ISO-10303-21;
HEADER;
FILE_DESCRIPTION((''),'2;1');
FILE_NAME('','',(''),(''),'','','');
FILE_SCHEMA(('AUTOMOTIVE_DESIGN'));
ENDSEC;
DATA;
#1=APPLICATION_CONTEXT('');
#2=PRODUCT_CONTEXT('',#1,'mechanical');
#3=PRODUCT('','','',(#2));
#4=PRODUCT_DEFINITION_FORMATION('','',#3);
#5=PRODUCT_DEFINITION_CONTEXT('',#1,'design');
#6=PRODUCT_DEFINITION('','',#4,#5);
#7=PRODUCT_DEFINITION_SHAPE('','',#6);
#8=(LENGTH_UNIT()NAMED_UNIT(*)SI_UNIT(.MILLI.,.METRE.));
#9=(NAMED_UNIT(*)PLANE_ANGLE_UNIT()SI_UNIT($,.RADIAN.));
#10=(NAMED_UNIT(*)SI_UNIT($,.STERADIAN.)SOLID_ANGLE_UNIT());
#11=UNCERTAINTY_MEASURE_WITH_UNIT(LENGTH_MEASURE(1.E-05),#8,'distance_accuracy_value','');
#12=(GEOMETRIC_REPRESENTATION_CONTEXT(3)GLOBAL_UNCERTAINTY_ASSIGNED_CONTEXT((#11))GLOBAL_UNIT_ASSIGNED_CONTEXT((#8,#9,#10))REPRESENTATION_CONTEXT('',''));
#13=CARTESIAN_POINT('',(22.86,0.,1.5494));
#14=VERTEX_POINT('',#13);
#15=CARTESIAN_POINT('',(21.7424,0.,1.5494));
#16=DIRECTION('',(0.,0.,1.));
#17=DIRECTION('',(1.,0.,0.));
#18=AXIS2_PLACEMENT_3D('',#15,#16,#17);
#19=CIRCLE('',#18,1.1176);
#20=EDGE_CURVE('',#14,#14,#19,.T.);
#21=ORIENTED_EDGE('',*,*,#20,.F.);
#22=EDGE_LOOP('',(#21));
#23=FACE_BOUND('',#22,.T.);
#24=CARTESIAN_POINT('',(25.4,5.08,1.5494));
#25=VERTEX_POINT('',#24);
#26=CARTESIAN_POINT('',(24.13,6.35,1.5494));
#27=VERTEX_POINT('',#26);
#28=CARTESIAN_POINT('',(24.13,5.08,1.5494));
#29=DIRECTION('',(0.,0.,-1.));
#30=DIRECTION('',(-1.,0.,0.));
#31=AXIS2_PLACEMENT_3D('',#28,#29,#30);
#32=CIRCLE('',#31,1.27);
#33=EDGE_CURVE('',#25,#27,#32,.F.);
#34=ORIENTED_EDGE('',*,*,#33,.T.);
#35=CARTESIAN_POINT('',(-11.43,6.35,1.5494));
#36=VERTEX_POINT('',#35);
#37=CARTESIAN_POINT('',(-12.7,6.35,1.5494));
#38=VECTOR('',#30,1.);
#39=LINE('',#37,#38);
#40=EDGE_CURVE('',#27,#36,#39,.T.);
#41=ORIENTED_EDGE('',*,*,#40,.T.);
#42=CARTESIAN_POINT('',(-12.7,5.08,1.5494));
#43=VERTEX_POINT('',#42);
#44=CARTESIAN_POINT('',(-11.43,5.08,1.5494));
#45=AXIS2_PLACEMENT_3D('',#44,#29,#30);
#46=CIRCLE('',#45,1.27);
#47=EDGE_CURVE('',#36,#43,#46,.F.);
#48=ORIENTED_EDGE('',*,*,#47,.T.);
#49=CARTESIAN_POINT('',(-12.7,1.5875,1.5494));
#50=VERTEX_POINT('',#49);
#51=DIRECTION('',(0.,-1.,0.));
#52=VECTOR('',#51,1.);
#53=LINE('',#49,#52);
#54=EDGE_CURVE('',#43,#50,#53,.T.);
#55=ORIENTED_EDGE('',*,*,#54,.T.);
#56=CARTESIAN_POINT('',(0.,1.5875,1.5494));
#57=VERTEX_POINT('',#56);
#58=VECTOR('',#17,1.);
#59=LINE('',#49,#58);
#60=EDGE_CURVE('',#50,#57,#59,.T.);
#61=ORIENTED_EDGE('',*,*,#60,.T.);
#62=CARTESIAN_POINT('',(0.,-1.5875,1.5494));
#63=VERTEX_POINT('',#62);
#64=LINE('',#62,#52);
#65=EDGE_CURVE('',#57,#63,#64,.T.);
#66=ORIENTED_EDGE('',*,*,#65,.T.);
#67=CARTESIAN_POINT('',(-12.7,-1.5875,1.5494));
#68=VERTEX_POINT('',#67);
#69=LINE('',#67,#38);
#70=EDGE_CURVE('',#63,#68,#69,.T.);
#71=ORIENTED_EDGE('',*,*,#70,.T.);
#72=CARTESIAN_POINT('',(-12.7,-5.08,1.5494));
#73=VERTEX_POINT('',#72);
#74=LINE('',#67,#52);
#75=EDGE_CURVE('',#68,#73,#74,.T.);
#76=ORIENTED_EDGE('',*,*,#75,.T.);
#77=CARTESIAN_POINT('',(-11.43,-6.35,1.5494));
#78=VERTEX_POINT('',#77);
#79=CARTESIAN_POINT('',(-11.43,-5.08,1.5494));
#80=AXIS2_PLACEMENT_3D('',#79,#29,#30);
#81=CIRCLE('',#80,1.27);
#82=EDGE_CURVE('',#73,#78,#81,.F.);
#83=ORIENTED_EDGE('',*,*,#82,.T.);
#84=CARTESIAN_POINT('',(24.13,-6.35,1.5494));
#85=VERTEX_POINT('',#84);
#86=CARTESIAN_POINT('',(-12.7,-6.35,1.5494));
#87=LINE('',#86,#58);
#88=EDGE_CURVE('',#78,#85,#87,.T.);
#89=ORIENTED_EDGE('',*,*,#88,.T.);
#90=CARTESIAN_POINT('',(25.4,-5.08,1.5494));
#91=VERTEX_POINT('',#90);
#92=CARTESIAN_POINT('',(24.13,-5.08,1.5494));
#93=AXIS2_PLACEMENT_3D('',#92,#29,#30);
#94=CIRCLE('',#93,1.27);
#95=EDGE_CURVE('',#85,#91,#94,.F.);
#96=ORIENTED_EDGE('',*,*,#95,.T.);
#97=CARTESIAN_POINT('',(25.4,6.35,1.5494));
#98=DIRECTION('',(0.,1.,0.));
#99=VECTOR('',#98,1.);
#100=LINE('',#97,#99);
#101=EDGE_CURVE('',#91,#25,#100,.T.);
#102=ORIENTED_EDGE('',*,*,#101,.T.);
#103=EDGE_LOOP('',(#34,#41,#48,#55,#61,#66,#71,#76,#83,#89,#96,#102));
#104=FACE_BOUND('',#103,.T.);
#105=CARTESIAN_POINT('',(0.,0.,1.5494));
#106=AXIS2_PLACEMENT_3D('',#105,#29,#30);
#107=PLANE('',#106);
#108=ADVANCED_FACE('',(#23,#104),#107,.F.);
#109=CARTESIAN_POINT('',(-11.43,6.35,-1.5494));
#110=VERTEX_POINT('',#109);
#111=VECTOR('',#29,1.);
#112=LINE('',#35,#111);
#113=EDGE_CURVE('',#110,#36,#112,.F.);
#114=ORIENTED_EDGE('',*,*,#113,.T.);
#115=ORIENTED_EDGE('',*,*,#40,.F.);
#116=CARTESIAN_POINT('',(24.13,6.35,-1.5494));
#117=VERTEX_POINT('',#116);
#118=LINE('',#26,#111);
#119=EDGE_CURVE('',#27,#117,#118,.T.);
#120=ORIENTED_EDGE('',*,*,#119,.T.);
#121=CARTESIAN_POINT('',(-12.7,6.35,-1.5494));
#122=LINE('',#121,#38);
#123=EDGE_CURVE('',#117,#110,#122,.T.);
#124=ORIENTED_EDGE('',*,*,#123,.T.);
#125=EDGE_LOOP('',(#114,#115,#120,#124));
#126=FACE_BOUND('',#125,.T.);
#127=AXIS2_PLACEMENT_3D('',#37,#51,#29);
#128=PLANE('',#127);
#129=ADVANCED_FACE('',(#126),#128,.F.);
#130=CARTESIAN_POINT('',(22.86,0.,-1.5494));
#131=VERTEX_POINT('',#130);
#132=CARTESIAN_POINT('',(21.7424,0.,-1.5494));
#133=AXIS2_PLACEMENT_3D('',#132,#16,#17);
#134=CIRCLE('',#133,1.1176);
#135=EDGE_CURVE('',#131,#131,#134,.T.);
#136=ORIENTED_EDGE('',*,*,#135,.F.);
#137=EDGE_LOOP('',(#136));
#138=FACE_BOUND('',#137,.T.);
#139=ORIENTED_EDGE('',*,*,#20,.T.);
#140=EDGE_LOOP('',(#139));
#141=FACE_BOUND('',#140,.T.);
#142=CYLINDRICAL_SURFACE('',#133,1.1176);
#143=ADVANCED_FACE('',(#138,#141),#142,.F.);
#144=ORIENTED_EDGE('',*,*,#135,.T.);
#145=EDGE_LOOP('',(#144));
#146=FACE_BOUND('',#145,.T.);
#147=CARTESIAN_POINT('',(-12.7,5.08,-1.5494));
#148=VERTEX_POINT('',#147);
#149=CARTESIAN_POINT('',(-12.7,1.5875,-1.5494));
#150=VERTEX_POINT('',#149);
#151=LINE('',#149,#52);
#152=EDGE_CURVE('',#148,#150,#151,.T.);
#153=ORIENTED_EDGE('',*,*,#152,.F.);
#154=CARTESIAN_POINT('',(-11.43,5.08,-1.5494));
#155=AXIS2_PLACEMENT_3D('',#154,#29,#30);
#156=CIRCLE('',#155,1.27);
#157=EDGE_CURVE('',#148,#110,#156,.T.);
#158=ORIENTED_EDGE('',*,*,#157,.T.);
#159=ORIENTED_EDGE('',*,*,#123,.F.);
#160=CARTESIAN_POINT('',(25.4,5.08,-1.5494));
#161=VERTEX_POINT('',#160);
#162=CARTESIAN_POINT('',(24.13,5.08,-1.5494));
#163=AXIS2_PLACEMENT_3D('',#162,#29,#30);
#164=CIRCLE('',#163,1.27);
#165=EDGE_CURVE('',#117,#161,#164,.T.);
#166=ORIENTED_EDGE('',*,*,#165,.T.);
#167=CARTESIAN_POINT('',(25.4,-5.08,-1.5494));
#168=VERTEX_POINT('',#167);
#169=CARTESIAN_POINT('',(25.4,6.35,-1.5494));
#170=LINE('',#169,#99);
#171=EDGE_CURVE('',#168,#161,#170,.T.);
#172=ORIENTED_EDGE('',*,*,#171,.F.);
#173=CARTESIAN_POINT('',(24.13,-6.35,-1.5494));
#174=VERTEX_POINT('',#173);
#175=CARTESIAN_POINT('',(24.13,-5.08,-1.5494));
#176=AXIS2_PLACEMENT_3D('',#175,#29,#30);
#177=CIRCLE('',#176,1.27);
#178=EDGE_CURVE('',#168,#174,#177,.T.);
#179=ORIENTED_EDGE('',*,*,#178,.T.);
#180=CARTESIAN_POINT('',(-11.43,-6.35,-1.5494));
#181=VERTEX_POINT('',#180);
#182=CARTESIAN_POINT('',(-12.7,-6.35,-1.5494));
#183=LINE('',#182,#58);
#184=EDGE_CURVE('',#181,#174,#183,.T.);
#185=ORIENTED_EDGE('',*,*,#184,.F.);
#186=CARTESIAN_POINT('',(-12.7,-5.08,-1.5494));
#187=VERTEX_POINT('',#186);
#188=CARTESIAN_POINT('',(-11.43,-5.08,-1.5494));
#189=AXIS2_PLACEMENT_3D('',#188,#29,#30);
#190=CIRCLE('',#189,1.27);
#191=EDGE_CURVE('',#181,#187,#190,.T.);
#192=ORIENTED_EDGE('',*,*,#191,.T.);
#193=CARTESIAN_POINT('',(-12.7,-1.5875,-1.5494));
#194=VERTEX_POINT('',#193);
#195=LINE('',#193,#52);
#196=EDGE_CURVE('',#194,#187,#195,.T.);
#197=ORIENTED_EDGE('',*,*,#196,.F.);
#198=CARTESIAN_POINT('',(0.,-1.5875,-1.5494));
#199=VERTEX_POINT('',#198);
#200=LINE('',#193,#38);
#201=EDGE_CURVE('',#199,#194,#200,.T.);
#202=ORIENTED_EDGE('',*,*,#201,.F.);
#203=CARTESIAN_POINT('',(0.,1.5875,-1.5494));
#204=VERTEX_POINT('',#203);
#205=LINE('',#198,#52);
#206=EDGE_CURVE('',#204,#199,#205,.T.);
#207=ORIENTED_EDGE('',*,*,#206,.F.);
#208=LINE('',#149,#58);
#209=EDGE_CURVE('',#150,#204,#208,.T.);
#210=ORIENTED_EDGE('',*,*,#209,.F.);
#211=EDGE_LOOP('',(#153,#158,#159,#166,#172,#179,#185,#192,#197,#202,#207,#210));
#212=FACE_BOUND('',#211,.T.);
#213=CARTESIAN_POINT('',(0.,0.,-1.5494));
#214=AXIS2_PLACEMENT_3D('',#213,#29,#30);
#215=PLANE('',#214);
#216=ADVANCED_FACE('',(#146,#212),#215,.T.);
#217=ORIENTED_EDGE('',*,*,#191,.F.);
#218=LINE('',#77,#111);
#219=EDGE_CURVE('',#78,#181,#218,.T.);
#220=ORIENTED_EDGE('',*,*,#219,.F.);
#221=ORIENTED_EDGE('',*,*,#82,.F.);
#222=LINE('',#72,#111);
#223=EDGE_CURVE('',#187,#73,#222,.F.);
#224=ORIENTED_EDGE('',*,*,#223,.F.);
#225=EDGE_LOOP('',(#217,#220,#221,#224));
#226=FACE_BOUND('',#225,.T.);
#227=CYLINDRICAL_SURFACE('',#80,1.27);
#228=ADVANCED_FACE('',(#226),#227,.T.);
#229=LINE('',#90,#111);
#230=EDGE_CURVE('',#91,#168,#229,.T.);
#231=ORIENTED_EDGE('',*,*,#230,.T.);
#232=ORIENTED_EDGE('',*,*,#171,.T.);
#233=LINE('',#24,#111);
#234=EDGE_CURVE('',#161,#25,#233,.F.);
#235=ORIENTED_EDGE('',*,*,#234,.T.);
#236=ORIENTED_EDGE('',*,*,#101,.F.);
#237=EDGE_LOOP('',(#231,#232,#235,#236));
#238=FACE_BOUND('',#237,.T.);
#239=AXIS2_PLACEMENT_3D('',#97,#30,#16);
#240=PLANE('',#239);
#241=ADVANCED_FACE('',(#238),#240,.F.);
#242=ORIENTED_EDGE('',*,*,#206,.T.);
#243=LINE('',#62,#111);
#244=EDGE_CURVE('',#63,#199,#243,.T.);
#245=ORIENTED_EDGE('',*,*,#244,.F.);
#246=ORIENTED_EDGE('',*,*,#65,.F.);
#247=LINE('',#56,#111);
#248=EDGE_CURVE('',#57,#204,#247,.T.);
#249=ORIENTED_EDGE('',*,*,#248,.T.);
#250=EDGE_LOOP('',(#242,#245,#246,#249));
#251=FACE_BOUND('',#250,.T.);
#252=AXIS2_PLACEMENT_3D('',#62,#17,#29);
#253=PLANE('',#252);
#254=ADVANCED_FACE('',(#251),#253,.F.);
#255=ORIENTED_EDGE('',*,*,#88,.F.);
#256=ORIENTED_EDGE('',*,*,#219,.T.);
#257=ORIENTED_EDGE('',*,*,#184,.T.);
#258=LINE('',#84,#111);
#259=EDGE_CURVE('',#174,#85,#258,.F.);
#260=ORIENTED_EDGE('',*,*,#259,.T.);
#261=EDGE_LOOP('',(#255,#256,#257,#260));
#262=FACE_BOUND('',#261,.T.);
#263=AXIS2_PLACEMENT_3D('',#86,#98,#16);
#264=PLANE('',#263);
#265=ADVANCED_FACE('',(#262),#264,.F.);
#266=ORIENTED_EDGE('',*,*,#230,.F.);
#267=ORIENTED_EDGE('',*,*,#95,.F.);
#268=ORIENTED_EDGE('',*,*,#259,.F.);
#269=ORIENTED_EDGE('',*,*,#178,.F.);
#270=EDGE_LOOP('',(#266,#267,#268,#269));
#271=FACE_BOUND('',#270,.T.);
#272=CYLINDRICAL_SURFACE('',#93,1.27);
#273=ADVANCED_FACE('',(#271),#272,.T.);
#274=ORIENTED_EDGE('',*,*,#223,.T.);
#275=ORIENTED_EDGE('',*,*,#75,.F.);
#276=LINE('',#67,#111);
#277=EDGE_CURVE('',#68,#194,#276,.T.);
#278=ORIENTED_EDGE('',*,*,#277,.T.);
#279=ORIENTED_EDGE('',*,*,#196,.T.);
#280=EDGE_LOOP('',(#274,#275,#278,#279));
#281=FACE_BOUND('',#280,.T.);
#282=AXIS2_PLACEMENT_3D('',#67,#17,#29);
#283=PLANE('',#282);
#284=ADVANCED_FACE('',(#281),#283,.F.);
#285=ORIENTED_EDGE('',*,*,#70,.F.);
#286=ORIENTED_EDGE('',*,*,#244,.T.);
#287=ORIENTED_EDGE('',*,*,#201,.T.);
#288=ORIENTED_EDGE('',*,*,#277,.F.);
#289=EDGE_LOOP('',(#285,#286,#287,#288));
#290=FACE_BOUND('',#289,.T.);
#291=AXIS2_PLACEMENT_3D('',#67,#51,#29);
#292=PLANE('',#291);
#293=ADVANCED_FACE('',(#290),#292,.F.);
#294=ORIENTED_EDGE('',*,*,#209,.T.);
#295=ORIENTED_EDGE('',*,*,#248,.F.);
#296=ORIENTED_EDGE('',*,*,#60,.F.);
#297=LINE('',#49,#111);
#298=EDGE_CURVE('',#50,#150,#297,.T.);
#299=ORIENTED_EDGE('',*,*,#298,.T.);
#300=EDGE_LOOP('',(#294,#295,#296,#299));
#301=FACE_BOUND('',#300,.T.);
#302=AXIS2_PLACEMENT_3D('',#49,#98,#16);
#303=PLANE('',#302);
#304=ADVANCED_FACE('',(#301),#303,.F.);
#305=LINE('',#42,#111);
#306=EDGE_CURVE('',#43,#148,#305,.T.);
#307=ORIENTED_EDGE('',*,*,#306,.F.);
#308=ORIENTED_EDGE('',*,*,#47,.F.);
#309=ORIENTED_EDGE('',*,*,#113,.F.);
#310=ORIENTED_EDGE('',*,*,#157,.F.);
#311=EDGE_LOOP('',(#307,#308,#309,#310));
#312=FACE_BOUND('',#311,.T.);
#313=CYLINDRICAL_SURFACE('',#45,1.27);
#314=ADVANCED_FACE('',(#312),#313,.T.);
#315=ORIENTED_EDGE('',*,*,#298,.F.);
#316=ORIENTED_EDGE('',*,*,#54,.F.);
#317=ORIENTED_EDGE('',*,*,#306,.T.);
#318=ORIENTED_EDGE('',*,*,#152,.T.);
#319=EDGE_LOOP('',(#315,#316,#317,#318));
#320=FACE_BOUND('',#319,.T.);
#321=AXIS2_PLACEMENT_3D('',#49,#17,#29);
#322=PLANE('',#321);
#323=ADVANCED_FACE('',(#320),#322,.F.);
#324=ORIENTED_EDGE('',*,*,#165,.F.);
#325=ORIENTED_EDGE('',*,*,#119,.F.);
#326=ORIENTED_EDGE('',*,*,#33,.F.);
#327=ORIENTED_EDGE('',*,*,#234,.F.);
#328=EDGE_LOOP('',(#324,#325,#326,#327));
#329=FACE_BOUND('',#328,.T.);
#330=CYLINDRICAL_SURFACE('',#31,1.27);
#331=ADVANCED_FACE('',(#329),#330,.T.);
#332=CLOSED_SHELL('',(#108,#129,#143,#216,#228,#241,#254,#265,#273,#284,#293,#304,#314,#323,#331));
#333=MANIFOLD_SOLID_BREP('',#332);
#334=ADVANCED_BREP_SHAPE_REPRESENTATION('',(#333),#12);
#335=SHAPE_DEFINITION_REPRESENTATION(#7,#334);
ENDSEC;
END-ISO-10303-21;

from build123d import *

# Parameters (mm, degrees)
BOSS_EXTRUDE1_DEPTH = 1.5494
FILLET1_R           = 1.27
SKETCH2_R           = 1.1176
CUT_EXTRUDE1_DEPTH  = 27.364465886


with BuildPart() as part:
    # Sketch1 → Boss-Extrude1 (new, symmetric)
    with BuildSketch(Plane.XY):
        Polygon((-12.7, 1.5875), (-12.7, 6.35), (25.4, 6.35), (25.4, -6.35), (-12.7, -6.35), (-12.7, -1.5875), (0, -1.5875), (0, 1.5875), align=None)
    extrude(amount=BOSS_EXTRUDE1_DEPTH, both=True)

    # Fillet1
    fillet1_edges = [part.edges().sort_by_distance(p)[0] for p in [
        (-12.7, 6.35, 0),
        (25.4, 6.35, 0),
        (25.4, -6.35, 0),
        (-12.7, -6.35, 0),
    ]]
    fillet(fillet1_edges, radius=FILLET1_R)

    # Sketch2 → Cut-Extrude1 (cut, through all)
    with BuildSketch(Plane.XY.offset(1.5494)):
        with Locations((21.7424, 0)):
            Circle(SKETCH2_R)
    extrude(amount=-CUT_EXTRUDE1_DEPTH, mode=Mode.SUBTRACT)


solid = part.part
